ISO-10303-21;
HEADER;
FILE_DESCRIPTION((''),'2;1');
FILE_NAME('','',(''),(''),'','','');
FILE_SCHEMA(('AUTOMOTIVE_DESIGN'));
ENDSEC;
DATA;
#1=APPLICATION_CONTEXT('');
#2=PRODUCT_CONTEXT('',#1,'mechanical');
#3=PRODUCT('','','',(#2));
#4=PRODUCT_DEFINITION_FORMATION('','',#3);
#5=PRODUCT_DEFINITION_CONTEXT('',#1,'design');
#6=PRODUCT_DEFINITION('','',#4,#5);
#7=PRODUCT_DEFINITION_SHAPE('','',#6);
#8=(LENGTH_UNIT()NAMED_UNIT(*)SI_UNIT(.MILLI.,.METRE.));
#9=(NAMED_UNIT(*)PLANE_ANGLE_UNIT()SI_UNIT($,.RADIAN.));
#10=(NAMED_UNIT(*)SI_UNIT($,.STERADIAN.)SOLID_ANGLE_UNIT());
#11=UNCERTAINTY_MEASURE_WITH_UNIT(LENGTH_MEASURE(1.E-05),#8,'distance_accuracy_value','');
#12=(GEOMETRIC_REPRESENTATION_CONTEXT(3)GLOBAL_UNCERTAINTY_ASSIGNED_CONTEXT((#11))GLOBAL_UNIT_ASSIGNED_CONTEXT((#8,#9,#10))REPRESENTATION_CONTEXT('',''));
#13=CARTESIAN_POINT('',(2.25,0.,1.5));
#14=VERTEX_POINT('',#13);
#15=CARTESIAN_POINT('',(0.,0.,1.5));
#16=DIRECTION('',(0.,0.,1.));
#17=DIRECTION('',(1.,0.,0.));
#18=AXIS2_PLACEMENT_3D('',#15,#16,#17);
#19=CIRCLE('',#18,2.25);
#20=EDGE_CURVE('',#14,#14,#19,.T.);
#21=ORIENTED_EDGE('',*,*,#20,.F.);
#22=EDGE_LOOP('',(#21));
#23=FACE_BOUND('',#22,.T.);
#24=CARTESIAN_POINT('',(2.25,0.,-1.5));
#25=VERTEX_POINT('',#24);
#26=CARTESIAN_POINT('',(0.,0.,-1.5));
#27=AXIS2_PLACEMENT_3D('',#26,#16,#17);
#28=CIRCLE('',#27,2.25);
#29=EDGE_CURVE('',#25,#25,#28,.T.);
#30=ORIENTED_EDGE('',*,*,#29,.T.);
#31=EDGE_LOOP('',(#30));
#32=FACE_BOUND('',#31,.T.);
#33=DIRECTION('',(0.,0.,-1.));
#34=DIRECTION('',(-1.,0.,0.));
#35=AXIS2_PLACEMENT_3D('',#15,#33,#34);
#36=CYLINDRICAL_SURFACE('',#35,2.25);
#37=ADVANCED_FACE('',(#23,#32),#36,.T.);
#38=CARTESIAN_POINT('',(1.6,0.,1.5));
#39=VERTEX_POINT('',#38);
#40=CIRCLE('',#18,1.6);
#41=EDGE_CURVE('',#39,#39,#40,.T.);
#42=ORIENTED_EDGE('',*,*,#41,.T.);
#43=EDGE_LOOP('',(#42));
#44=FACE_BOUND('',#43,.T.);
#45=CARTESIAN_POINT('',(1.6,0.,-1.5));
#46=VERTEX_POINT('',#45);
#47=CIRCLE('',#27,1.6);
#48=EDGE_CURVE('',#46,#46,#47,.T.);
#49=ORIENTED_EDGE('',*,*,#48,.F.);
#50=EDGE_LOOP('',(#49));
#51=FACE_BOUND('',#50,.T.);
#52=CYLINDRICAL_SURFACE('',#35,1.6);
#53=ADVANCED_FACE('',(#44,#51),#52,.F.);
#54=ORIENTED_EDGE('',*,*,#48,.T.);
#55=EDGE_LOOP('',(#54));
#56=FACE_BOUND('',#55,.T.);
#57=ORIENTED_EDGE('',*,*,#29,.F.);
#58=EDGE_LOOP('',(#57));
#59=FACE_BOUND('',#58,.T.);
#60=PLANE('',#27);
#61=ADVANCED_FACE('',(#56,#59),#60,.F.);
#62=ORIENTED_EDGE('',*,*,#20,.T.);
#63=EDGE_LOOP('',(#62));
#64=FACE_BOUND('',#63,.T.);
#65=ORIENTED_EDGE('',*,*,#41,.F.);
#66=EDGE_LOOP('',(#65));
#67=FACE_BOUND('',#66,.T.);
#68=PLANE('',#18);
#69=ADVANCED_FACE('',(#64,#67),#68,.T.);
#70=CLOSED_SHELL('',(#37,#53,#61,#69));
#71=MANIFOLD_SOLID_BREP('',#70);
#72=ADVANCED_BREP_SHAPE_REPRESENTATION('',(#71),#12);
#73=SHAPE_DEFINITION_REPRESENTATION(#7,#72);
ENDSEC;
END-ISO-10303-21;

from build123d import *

# Parameters (mm, degrees)
SKETCH1_R           = 2.25
SKETCH1_R_2         = 1.6
EXTRUDE1_DEPTH      = 1.5
EXTRUDE1_DEPTH_BACK = 1.5


with BuildPart() as part:
    # Sketch1 → Extrude1 (new body, two sides)
    with BuildSketch(Plane.XY) as extrude1_sk:
        Circle(SKETCH1_R)
        Circle(SKETCH1_R_2, mode=Mode.SUBTRACT)
    extrude(amount=EXTRUDE1_DEPTH)
    extrude(extrude1_sk.sketch, amount=-EXTRUDE1_DEPTH_BACK)


solid = part.part
